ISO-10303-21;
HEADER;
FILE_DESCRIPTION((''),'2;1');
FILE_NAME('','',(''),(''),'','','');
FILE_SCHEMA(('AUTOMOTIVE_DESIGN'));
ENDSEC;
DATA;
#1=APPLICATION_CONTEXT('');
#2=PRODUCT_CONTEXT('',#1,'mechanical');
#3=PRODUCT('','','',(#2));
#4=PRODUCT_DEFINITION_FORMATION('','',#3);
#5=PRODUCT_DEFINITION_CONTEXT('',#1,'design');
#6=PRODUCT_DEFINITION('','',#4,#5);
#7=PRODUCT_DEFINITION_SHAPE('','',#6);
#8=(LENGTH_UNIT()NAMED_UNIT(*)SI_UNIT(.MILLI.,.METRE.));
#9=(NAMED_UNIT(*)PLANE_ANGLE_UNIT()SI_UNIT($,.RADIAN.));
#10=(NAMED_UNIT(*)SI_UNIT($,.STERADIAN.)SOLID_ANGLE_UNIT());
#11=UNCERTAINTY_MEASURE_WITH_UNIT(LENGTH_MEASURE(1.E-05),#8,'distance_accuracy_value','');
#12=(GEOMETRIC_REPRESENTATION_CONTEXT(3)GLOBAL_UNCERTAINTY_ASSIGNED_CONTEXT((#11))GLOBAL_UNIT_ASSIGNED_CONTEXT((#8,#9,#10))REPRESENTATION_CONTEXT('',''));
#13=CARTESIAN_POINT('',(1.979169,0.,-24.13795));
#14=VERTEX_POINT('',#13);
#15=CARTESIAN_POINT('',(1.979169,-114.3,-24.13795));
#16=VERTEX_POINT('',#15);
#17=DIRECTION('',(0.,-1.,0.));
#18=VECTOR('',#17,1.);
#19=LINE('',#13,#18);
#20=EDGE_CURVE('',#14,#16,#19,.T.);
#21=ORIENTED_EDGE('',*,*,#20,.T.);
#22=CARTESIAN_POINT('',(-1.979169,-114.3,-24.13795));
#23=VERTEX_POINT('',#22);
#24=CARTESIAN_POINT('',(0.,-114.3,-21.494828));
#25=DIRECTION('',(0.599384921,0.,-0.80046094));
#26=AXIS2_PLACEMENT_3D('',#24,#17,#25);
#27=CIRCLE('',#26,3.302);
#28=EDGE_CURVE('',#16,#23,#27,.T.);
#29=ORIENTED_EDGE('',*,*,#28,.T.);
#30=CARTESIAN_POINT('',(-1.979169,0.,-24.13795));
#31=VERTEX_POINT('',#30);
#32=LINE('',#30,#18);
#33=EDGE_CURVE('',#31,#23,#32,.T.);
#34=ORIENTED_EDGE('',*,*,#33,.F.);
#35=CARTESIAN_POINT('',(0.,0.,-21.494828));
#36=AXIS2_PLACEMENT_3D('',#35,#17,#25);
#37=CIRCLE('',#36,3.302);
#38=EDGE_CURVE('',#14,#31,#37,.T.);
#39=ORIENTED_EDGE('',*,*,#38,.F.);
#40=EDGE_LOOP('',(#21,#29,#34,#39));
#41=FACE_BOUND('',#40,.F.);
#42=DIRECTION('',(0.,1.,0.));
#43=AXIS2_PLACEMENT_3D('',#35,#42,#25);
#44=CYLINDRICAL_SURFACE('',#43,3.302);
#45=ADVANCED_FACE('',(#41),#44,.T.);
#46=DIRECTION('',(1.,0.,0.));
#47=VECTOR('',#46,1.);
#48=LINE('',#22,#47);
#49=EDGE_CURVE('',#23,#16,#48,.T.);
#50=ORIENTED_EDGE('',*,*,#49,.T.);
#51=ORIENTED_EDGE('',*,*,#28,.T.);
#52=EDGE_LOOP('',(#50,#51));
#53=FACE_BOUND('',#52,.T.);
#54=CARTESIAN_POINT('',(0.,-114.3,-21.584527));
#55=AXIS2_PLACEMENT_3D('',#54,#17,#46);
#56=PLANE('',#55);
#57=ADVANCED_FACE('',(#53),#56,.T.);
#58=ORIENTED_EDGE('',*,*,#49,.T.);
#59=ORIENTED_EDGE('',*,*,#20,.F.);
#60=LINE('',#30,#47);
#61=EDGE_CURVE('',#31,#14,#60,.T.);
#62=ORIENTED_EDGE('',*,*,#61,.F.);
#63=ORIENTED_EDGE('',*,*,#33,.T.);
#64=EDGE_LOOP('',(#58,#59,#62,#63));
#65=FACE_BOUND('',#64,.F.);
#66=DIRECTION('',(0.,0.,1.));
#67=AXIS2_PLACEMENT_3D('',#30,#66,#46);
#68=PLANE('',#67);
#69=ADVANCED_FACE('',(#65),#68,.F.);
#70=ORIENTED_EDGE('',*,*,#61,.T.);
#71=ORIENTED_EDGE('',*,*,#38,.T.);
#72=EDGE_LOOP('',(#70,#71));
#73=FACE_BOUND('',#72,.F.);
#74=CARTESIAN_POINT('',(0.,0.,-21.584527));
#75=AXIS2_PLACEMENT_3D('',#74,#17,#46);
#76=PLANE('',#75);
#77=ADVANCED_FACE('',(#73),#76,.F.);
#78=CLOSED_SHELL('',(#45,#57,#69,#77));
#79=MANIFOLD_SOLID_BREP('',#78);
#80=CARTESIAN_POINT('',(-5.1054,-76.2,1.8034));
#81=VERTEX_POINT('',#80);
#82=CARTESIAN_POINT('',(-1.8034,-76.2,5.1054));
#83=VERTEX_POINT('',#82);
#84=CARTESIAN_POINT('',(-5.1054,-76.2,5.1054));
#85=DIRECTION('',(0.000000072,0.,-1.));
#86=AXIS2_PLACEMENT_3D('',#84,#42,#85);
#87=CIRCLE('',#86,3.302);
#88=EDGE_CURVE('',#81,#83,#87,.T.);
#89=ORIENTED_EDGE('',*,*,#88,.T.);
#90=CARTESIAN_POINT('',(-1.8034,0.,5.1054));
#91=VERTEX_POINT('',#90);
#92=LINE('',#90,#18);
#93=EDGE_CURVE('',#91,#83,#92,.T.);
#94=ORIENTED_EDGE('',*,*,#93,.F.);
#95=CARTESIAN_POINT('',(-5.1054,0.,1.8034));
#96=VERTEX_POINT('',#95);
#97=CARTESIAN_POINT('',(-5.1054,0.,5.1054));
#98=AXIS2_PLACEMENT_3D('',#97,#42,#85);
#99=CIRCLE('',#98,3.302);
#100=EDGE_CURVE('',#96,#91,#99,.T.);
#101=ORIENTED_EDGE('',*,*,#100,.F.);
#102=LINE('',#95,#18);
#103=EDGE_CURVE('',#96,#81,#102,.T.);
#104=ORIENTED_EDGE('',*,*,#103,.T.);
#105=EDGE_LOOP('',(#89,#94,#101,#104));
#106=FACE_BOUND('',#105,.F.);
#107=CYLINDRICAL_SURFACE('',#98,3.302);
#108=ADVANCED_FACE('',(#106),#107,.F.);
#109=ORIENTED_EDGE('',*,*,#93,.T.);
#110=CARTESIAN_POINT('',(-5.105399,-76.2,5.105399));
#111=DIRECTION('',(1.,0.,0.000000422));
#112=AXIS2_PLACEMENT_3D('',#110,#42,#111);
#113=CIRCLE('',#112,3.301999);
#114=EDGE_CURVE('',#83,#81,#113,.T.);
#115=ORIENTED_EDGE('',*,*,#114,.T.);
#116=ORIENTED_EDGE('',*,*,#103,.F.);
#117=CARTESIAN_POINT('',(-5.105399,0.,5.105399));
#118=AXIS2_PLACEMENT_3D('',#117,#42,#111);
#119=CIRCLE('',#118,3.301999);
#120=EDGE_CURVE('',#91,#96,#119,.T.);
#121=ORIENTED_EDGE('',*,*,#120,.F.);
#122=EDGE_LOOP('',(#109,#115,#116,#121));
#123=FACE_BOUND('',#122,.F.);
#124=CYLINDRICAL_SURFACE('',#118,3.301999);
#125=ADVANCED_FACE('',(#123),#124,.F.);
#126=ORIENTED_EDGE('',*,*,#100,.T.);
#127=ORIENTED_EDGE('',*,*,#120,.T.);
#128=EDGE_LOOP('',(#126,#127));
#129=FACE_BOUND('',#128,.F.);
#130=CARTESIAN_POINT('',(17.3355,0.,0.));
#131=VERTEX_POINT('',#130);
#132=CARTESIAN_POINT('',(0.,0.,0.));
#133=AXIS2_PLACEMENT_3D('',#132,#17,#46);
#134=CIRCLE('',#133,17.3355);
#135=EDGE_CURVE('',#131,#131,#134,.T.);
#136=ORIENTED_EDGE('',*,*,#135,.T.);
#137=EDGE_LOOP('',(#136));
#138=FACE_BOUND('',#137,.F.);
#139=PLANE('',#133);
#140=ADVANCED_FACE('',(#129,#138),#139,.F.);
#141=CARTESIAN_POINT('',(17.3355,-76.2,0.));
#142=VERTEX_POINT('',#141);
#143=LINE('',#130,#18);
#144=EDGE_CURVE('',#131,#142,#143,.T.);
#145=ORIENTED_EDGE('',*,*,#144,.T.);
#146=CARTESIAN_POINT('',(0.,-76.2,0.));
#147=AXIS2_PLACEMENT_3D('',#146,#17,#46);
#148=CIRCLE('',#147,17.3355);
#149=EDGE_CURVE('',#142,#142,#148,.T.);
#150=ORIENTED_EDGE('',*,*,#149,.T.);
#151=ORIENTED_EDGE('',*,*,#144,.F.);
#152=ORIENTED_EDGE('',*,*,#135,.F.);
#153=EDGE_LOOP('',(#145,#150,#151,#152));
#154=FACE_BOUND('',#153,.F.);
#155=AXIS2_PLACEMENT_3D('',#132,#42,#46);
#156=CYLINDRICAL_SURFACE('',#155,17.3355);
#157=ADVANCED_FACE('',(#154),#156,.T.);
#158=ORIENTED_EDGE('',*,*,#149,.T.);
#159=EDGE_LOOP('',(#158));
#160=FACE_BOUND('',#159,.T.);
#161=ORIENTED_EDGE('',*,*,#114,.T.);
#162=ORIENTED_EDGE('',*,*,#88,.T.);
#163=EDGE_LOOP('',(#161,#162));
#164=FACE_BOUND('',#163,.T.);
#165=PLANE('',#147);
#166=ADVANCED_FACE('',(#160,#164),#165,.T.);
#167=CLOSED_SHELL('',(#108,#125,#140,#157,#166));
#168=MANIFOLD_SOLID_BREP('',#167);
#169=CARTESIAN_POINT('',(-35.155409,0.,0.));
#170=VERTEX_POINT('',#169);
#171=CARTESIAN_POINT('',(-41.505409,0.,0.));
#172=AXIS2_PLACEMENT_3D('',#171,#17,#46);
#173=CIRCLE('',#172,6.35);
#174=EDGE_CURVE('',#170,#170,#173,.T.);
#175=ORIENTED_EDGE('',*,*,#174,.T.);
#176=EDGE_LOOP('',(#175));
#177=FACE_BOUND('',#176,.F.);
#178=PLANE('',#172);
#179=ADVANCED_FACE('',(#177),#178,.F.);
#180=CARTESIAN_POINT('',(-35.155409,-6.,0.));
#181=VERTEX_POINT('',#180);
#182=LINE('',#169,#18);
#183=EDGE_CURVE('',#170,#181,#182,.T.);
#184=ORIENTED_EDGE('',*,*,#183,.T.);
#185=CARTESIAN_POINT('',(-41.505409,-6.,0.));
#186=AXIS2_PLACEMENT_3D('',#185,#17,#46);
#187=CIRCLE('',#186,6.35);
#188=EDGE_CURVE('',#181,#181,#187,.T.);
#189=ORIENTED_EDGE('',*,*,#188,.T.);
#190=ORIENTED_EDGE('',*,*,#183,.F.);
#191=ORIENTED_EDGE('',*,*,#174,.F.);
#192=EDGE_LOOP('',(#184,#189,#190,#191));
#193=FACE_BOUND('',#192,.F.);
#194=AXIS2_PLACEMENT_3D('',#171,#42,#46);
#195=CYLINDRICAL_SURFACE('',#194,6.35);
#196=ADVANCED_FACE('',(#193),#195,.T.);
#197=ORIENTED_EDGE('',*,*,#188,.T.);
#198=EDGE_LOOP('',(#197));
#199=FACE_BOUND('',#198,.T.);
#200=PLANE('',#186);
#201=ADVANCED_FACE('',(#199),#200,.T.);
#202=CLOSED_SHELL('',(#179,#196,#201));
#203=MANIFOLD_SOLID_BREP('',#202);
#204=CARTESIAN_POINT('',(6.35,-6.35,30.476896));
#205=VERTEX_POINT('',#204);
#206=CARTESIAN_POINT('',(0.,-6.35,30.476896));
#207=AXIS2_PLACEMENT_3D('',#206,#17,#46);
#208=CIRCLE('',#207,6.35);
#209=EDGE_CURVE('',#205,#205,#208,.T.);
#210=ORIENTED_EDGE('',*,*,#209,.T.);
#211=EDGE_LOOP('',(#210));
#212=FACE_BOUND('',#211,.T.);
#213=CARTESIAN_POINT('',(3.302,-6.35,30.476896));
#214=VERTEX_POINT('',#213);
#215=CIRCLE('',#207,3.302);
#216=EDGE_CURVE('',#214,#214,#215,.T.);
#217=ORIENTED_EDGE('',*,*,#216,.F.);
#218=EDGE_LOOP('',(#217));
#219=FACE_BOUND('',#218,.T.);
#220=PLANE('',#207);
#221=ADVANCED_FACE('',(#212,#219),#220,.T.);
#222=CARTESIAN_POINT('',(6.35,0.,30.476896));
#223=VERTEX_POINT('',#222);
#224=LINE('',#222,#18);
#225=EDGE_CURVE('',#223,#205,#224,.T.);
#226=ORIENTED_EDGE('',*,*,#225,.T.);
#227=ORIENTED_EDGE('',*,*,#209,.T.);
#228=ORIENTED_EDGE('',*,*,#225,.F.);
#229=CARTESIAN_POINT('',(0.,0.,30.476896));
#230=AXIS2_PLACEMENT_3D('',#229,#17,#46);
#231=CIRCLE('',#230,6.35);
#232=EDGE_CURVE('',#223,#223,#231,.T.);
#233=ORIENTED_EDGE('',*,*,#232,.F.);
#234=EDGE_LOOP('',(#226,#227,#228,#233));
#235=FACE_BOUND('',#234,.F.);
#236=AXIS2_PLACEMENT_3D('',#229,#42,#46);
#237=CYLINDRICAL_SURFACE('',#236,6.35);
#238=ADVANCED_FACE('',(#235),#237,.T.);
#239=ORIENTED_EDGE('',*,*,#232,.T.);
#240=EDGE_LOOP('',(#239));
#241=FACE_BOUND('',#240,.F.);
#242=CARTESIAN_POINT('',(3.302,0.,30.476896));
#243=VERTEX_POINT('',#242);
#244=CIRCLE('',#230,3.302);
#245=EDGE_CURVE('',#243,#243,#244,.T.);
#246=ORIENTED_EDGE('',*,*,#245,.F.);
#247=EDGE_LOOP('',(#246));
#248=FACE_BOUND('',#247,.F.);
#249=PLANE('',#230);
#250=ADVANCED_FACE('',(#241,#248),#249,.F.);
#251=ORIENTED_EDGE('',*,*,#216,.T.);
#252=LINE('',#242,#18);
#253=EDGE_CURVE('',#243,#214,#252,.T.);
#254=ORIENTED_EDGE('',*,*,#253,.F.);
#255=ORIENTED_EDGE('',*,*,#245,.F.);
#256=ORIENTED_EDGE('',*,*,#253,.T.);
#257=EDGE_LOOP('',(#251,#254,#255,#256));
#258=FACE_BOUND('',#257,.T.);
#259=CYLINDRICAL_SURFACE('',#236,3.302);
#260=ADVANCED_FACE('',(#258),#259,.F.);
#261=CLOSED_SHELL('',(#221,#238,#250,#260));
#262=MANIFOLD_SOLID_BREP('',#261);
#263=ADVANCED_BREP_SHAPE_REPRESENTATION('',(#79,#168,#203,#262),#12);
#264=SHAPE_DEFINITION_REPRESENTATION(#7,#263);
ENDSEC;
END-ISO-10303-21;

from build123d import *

# Parameters (mm, degrees)
F0_R     = 17.3355
F2_DEPTH = 76.2
F3_DEPTH = 114.3
F4_R     = 6.35
F4_R_2   = 3.302
F5_DEPTH = 6.35
F6_R     = 6.35
F7_DEPTH = 6


with BuildPart() as f2:
    # F0 (on Front) → F2 (new body)
    with BuildSketch(Plane.XZ):
        Circle(F0_R)
        with BuildLine():
            ThreePointArc((-5.1054, 1.8034), (-7.440267, 7.440267), (-1.8034, 5.1054))
            ThreePointArc((-1.8034, 5.1054), (-2.770533, 2.770533), (-5.1054, 1.8034))
        make_face(mode=Mode.SUBTRACT)
    extrude(amount=F2_DEPTH)


with BuildPart() as f3:
    # F1 (on Front) → F3 (new body)
    with BuildSketch(Plane.XZ):
        with BuildLine():
            Line((-1.979169, -24.13795), (1.979169, -24.13795))
            ThreePointArc((1.979169, -24.13795), (0, -18.192828), (-1.979169, -24.13795))
        make_face()
    extrude(amount=F3_DEPTH)


with BuildPart() as f5:
    # F4 (on Front) → F5 (new body)
    with BuildSketch(Plane.XZ):
        with Locations((0, 30.476896)):
            Circle(F4_R)
        with Locations((0, 30.476896)):
            Circle(F4_R_2, mode=Mode.SUBTRACT)
    extrude(amount=F5_DEPTH)


with BuildPart() as f7:
    # F6 (on Front) → F7 (new body)
    with BuildSketch(Plane.XZ):
        with Locations((-41.505409, 0)):
            Circle(F6_R)
    extrude(amount=F7_DEPTH)


solid = Compound([f2.part, f3.part, f5.part, f7.part])
